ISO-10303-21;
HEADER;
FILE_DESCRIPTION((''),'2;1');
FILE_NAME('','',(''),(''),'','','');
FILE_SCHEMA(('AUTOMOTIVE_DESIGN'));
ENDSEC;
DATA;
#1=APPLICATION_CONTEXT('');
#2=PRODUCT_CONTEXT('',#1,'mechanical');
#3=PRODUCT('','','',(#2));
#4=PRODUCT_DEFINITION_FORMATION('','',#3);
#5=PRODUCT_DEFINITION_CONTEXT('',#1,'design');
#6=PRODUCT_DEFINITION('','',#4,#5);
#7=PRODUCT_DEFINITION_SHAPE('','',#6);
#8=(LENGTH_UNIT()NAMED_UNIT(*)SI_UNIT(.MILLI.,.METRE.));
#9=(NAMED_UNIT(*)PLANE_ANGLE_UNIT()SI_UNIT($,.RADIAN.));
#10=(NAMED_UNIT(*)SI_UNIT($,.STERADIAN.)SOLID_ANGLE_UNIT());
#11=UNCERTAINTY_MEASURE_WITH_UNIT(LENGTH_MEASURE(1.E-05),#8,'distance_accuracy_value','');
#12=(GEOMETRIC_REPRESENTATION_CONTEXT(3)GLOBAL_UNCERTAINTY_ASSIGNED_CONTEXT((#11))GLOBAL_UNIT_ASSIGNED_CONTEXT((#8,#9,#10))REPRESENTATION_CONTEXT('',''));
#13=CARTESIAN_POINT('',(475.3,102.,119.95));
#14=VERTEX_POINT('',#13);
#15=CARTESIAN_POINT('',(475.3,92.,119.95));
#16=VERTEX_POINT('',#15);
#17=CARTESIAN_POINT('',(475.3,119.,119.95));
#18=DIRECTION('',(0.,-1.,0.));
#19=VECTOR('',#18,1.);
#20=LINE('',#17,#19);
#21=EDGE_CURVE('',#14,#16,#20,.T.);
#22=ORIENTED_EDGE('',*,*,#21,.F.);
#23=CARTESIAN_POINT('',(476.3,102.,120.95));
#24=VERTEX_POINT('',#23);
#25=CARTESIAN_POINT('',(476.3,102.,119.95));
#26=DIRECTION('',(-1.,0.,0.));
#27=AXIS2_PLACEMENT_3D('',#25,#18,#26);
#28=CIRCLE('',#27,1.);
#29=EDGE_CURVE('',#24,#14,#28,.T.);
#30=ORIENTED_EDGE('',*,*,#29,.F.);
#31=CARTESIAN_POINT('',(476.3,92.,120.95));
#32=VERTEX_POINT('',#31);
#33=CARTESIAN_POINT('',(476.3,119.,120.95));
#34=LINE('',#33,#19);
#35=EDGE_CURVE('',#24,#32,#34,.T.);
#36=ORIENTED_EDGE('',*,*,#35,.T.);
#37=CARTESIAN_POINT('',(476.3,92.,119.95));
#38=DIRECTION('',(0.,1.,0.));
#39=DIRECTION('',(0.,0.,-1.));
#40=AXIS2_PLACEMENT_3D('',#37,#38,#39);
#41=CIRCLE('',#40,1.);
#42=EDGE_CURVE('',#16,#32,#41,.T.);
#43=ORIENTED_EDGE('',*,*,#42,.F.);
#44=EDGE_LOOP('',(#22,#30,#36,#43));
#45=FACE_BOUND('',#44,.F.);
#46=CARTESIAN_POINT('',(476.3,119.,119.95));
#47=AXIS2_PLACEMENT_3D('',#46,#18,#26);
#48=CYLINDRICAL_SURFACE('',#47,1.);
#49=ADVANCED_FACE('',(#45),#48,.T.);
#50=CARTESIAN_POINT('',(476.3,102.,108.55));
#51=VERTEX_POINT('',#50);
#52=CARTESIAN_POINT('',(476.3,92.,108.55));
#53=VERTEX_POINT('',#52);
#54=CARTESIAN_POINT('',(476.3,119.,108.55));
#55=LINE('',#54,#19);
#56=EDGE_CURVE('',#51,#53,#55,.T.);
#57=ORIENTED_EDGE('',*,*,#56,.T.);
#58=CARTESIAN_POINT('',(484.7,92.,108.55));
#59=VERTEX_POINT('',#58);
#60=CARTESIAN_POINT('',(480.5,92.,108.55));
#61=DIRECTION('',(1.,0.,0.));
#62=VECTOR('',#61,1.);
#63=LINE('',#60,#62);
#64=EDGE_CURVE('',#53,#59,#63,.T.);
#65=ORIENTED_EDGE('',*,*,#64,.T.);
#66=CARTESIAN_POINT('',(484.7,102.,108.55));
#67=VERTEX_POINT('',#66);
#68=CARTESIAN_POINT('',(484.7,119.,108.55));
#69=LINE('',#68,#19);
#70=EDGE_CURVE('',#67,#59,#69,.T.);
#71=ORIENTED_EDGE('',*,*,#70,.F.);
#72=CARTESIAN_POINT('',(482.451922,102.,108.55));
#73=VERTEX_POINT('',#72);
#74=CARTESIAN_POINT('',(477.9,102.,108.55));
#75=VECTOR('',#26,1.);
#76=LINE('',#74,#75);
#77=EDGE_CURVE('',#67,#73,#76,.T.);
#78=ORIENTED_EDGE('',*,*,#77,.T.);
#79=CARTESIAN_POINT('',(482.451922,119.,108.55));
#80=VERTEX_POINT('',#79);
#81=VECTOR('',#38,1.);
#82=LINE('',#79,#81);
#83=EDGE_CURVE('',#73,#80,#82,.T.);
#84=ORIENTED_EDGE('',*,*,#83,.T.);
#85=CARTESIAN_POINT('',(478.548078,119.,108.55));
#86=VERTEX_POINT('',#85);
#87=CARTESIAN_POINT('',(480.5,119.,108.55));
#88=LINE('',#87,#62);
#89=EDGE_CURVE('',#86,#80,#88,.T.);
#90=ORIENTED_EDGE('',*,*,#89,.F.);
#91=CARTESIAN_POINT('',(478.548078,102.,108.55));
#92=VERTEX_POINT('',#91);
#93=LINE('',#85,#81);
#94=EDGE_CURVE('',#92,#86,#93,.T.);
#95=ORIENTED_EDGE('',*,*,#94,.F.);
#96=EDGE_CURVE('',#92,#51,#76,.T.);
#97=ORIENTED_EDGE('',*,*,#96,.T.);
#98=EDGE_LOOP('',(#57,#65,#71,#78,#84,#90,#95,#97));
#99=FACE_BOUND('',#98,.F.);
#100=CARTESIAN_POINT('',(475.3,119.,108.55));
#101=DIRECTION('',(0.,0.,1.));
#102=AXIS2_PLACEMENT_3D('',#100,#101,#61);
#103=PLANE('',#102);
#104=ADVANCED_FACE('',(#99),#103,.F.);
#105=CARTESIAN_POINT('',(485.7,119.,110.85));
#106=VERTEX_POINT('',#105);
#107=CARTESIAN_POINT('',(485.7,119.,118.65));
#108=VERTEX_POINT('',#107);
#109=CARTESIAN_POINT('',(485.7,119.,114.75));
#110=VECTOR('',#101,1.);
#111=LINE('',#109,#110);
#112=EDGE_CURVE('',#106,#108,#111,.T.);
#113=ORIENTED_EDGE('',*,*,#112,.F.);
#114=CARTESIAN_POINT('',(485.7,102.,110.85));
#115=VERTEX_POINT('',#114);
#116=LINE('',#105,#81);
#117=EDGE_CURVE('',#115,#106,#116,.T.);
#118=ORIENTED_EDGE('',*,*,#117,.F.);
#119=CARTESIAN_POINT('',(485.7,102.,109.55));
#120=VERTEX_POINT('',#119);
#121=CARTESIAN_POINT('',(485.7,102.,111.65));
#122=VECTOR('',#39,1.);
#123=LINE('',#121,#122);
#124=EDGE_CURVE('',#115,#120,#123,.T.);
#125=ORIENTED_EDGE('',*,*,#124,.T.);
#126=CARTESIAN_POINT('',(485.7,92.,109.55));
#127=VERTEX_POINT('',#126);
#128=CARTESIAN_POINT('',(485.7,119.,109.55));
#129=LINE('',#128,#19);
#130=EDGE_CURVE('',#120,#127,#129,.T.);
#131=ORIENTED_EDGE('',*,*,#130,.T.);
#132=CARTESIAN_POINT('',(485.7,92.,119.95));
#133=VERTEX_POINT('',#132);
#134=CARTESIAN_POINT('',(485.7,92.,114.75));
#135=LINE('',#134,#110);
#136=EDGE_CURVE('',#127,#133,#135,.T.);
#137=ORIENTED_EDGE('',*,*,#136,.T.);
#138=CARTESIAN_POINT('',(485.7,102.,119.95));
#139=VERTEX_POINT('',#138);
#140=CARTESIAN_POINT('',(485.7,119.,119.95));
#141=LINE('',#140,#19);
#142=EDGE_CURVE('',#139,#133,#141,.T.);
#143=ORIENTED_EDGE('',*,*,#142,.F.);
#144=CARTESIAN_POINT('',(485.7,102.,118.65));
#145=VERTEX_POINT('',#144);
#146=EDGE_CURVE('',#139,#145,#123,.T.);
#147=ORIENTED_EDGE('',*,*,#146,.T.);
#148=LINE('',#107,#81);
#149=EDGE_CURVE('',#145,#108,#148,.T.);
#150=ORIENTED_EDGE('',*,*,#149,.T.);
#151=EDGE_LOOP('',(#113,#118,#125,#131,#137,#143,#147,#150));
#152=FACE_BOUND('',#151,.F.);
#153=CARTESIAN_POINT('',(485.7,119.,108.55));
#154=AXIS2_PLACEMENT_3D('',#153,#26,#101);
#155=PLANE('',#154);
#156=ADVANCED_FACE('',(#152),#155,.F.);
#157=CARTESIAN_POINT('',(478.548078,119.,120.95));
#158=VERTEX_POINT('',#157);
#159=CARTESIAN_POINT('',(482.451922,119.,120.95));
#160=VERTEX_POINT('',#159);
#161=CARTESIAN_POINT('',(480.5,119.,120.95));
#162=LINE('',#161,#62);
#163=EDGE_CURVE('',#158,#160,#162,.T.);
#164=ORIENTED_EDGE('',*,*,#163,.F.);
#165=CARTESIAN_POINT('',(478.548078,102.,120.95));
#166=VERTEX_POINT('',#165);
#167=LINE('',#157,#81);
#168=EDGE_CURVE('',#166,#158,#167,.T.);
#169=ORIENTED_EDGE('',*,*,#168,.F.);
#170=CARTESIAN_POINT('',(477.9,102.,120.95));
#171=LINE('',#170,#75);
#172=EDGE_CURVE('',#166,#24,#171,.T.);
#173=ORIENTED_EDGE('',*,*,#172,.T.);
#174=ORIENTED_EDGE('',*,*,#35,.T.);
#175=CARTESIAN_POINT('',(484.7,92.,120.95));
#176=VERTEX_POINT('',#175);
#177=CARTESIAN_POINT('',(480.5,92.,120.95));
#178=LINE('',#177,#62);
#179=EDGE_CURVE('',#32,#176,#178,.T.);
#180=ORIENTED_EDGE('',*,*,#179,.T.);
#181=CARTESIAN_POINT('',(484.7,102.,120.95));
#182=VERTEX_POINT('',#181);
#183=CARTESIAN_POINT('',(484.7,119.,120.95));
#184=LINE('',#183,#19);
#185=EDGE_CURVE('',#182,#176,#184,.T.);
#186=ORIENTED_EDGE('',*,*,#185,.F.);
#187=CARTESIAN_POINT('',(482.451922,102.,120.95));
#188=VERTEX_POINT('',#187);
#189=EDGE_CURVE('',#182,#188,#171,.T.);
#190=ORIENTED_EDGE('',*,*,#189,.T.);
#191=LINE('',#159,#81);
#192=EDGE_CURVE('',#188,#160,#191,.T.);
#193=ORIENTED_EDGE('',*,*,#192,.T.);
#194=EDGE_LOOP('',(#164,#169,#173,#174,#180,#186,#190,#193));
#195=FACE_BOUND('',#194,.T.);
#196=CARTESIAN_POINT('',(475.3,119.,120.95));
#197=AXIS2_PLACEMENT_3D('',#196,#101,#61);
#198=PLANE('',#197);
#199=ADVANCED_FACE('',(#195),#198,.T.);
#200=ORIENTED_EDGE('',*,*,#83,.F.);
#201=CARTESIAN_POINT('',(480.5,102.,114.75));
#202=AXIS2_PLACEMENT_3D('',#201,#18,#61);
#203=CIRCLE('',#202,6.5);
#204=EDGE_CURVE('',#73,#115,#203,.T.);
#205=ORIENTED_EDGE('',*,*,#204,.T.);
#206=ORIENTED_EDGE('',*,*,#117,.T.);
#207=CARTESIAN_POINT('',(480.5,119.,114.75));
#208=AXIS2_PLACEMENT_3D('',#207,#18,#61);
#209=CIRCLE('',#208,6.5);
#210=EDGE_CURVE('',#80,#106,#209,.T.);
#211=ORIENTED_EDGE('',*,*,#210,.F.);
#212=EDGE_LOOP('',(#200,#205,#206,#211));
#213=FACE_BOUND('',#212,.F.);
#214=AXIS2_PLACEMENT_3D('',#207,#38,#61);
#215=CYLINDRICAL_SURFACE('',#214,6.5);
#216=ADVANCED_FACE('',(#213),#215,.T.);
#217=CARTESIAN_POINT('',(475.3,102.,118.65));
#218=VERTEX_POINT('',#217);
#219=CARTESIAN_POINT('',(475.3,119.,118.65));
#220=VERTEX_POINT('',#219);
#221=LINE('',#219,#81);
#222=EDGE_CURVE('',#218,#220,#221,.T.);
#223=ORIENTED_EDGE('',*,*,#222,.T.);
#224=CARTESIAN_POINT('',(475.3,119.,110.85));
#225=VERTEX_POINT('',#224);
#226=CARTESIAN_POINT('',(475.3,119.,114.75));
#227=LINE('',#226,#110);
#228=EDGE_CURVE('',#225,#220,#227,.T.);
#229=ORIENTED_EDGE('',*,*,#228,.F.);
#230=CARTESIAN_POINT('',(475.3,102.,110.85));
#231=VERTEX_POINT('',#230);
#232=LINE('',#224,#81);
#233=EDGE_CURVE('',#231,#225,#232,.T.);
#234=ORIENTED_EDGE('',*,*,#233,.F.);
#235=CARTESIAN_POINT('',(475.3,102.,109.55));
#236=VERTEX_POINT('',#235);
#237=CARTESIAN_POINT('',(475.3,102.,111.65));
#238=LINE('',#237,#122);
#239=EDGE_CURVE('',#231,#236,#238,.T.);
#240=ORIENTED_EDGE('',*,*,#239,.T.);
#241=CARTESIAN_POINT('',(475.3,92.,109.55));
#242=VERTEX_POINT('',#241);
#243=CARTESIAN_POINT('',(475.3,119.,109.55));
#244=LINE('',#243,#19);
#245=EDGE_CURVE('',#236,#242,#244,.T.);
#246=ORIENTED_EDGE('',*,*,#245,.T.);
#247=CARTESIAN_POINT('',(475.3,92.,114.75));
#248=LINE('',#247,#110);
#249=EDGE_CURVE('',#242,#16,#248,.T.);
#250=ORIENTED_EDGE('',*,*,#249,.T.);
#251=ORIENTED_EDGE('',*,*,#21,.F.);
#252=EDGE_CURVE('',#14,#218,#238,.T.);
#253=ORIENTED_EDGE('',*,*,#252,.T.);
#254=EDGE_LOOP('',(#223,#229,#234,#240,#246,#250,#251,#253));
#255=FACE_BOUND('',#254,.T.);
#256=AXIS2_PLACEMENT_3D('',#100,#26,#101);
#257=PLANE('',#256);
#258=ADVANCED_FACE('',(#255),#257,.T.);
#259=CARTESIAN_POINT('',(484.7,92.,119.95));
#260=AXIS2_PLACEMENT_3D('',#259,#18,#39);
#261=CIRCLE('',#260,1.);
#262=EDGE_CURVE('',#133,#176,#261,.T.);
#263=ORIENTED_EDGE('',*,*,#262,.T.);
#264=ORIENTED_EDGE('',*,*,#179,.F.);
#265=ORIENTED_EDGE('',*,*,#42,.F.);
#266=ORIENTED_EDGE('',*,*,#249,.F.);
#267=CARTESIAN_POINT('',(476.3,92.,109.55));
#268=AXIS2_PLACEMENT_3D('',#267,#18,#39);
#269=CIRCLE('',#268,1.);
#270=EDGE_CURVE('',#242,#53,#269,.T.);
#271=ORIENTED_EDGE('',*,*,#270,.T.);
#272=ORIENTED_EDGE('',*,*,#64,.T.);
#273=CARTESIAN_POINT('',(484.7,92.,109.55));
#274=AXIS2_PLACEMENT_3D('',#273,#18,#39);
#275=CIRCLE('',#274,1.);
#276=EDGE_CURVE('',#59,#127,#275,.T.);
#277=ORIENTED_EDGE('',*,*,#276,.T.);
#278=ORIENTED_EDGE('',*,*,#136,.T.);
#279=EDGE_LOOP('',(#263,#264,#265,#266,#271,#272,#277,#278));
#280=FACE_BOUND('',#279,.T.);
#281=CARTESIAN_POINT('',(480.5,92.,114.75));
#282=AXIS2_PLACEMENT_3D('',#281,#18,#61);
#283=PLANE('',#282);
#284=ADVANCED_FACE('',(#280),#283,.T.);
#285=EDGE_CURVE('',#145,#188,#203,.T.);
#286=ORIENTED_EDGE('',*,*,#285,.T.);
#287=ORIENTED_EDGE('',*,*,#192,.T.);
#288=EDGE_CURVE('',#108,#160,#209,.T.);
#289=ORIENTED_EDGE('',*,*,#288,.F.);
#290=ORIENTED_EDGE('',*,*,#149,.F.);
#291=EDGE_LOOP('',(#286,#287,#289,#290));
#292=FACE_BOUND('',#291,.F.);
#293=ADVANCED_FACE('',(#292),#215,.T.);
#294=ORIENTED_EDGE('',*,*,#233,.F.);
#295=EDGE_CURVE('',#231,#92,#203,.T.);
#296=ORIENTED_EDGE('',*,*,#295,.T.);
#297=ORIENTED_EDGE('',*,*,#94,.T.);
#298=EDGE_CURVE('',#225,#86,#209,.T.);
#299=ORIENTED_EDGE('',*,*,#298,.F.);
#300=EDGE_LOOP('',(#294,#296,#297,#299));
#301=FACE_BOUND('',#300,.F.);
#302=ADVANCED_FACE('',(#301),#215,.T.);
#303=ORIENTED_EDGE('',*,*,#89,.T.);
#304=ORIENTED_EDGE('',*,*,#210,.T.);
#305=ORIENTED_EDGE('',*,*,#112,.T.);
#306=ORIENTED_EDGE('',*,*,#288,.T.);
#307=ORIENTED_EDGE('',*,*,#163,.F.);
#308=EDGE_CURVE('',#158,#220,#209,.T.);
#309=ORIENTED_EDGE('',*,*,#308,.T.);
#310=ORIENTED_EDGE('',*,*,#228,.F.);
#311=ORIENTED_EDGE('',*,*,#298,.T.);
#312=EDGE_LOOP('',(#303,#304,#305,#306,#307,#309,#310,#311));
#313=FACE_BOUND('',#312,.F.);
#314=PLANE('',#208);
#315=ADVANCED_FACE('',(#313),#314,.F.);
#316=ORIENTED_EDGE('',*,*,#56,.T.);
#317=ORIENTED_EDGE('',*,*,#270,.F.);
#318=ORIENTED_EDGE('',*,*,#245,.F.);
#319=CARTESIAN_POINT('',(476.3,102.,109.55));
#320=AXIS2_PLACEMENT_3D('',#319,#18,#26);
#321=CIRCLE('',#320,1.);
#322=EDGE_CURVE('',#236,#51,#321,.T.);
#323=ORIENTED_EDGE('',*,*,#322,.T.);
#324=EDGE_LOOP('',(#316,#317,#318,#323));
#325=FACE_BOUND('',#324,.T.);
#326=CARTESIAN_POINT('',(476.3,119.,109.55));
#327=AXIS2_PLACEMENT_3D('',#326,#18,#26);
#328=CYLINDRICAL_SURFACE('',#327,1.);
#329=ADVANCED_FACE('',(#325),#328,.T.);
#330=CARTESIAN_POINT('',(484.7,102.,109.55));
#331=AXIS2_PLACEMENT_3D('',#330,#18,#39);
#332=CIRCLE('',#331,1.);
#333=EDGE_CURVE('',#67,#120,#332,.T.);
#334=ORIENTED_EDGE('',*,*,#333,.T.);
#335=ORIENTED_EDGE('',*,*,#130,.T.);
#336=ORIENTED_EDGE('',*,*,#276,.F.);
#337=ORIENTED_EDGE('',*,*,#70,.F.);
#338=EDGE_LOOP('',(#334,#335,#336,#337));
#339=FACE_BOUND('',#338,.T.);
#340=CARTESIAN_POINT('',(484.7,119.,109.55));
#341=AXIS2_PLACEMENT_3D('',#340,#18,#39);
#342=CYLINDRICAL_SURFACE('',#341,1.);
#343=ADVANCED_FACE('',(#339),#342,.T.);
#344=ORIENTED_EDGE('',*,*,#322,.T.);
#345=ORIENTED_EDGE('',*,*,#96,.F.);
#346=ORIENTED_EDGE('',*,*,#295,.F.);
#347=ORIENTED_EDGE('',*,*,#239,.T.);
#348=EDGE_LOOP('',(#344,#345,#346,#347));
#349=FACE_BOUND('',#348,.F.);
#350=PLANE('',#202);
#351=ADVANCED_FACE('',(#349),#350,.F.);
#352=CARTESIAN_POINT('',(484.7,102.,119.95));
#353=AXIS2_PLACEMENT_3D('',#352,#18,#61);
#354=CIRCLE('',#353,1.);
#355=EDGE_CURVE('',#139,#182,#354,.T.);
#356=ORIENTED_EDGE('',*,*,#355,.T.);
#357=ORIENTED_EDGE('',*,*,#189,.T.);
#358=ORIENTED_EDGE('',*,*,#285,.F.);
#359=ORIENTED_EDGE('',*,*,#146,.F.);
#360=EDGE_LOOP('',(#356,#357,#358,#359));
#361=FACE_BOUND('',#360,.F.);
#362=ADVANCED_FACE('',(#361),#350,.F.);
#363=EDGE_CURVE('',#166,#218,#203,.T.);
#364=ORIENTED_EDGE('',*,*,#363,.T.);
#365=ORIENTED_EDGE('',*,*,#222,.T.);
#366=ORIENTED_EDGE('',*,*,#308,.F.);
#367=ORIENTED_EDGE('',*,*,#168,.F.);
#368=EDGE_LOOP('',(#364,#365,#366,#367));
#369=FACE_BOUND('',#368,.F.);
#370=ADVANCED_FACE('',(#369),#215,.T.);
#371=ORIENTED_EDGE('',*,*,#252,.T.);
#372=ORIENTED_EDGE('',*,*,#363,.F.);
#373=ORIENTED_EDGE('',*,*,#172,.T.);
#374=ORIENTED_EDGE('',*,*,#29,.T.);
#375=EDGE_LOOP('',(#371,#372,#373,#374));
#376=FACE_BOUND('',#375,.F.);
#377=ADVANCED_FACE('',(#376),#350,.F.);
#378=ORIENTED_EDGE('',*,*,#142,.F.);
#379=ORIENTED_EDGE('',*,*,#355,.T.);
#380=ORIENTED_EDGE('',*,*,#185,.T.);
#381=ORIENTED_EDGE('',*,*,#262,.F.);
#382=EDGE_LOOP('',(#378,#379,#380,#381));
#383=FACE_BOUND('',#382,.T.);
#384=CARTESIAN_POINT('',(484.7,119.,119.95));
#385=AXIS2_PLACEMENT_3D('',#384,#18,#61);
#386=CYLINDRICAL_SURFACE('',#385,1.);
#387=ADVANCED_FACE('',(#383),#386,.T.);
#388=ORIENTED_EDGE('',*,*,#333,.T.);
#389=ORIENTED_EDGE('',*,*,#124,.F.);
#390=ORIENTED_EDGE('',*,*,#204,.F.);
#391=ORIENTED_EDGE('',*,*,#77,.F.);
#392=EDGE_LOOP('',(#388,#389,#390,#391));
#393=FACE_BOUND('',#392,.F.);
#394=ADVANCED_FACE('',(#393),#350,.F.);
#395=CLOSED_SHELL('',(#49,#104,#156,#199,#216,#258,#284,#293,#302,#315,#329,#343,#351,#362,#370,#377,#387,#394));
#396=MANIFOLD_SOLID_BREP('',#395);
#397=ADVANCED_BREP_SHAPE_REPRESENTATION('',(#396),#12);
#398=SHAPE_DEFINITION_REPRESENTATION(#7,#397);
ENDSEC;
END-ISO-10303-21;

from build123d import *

# Parameters (mm, degrees)
BOX502_W                  = 10.4
BOX502_H                  = 12.4
BOX502_DEPTH              = 27
FILLET396_R               = 1
CYLINDER1193_R            = 8
CYLINDER1193_DEPTH        = 27
CYLINDER1195_R            = 6.5
CYLINDER1195_DEPTH        = 17
CYLINDER1194_R            = 8
CYLINDER1194_DEPTH        = 17
CYLINDER1196_R            = 8
CYLINDER1196_DEPTH        = 27
CUT014244_PLACEMENT_ANGLE = 90


with BuildPart() as fillet396:
    # Box502 → Box502 (new body)
    with BuildSketch(Plane(origin=(-5.2, -6.2, 0), x_dir=(1, 0, 0), z_dir=(0, 0, 1))):
        with Locations((5.2, 6.2)):
            Rectangle(BOX502_W, BOX502_H)
    extrude(amount=BOX502_DEPTH)

    # Fillet396
    fillet396_edges = [fillet396.edges().sort_by_distance(p)[0] for p in [
        (-5.2, -6.2, 13.5),
        (-5.2, 6.2, 13.5),
        (5.2, -6.2, 13.5),
        (5.2, 6.2, 13.5),
    ]]
    fillet(fillet396_edges, radius=FILLET396_R)


with BuildPart() as cut014243:
    # Cylinder1193 → Cylinder1193 (new body)
    with BuildSketch(Plane.XY):
        Circle(CYLINDER1193_R)
    extrude(amount=CYLINDER1193_DEPTH)

    # Cut014243: cut Fillet396
    add(fillet396.part, mode=Mode.SUBTRACT)


with BuildPart() as cylinder1413:
    # Cylinder1195 → Cylinder1195 (new body)
    with BuildSketch(Plane.XY):
        Circle(CYLINDER1195_R)
    extrude(amount=CYLINDER1195_DEPTH)


with BuildPart() as fusion248002050122:
    # Cylinder1194 → Cylinder1194 (new body)
    with BuildSketch(Plane.XY):
        Circle(CYLINDER1194_R)
    extrude(amount=CYLINDER1194_DEPTH)

    # Cut014242: cut Cylinder1413
    add(cylinder1413.part, mode=Mode.SUBTRACT)

    # Fusion248002050122: union Cut014243
    add(cut014243.part)


with BuildPart() as bucket_turning_motor:
    # Cylinder1196 → Cylinder1196 (new body)
    with BuildSketch(Plane.XY):
        Circle(CYLINDER1196_R)
    extrude(amount=CYLINDER1196_DEPTH)

    # Cut014244: cut Fusion248002050122
    add(fusion248002050122.part, mode=Mode.SUBTRACT)


with BuildPart() as bucket_turning_motor_1:
    # Cut014244 placement: moved
    add(bucket_turning_motor.part.moved(Location((480.5, 119, 114.75))).rotate(Axis((480.5, 119, 114.75), (1, 0, 0)), CUT014244_PLACEMENT_ANGLE))


solid = bucket_turning_motor_1.part
